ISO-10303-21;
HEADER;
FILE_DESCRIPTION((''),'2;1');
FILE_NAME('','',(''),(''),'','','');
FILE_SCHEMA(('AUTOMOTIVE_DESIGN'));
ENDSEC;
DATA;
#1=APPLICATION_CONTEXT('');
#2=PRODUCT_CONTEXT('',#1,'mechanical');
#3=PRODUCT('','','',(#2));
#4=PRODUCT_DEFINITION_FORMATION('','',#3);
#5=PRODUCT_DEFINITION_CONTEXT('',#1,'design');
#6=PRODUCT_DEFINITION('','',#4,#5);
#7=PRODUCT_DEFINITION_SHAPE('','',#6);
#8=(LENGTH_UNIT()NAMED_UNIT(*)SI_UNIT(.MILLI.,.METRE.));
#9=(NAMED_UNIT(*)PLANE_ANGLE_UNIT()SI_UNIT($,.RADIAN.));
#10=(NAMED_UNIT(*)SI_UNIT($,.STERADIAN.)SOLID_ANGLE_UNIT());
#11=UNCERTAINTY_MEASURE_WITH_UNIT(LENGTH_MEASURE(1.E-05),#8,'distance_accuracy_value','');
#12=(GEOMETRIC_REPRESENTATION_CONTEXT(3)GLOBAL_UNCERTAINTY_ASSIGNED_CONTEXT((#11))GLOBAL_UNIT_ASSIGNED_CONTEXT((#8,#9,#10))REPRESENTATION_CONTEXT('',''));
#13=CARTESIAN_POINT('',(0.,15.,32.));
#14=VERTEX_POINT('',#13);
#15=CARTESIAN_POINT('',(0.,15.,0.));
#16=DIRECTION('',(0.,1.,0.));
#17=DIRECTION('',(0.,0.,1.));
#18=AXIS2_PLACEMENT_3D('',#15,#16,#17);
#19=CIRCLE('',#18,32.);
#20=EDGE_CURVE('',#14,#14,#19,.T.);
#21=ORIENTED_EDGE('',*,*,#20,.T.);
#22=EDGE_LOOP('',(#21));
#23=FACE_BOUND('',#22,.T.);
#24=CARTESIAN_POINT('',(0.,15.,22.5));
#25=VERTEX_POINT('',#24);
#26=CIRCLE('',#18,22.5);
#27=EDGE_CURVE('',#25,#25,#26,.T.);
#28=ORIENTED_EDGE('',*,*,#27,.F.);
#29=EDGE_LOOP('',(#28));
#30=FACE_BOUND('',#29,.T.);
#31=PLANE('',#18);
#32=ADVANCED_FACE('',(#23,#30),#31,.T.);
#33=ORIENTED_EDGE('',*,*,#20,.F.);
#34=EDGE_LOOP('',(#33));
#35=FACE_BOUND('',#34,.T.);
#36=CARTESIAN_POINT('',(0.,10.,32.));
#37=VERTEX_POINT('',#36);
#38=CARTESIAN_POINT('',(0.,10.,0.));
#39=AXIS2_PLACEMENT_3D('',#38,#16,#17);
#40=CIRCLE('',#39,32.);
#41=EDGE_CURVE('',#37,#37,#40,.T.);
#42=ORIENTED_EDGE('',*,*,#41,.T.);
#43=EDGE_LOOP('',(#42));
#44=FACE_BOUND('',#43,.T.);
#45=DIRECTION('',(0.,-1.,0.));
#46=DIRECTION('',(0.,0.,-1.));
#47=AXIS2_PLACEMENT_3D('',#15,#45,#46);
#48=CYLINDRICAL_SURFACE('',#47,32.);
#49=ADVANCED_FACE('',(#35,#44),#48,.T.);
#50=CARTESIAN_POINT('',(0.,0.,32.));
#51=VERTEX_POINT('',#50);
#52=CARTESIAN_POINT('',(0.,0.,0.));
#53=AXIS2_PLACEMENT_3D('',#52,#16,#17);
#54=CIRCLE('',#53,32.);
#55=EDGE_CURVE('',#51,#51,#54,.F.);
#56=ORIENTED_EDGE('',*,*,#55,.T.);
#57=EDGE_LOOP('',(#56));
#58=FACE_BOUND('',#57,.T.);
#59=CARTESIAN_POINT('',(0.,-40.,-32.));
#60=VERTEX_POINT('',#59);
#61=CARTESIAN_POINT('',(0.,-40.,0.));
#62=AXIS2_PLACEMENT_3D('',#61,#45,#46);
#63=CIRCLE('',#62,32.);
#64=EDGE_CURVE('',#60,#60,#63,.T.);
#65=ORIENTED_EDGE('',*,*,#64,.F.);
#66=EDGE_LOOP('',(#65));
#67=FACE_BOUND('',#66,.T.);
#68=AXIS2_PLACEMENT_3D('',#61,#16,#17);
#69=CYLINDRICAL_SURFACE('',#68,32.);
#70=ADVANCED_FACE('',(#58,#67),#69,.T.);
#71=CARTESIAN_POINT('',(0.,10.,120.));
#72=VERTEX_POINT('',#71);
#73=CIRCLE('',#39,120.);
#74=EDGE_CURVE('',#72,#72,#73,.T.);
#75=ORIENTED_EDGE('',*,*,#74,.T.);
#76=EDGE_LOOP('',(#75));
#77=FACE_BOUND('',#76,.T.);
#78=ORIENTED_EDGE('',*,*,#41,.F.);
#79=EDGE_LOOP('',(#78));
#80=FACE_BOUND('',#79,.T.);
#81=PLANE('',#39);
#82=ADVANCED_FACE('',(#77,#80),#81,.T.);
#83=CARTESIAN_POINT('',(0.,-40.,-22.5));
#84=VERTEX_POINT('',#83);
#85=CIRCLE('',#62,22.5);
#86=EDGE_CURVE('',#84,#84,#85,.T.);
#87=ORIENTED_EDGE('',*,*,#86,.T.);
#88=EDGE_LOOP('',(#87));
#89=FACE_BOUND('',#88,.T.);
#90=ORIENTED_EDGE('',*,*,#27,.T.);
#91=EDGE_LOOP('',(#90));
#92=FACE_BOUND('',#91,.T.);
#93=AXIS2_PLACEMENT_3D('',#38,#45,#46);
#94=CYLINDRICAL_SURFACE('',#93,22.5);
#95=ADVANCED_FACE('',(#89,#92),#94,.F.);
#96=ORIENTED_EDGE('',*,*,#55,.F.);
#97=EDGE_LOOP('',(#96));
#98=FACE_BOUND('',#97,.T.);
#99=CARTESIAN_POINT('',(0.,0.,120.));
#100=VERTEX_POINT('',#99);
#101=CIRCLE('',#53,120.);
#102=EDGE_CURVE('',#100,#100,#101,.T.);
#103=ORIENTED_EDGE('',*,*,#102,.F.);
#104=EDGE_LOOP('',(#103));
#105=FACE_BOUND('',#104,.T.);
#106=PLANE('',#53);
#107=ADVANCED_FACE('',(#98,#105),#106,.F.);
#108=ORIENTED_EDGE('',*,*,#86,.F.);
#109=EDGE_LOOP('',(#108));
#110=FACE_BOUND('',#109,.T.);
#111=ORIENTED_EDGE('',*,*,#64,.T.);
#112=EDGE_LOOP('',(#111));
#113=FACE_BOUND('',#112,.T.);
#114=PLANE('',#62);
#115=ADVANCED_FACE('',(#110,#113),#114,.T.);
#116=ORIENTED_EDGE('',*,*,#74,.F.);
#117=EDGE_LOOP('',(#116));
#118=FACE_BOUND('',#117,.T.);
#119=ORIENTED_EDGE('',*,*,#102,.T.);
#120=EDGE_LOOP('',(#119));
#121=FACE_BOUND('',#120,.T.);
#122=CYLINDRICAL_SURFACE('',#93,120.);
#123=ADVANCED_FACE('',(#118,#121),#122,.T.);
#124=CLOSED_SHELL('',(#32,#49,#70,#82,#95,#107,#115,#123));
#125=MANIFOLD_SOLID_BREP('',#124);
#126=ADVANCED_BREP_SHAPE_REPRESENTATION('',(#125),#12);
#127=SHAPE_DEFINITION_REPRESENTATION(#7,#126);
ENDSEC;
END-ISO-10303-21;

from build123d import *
from build123d.topology import SkipClean

# Parameters (mm, degrees)
SKETCH_1_R      = 120
SKETCH_1_R_2    = 22.5
EXTRUDE_1_DEPTH = 10
EXTRUDE_START   = 40
SKETCH_2_R      = 32
SKETCH_2_R_2    = 22.5
EXTRUDE_2_DEPTH = 40
SKETCH_3_R      = 32
SKETCH_3_R_2    = 22.5
EXTRUDE_3_DEPTH = 5


with BuildPart() as part:
    # 草图1 → 凸台-拉伸1 (new body)
    with BuildSketch(Plane(origin=(0, 0, 0), x_dir=(1, 0, 0), z_dir=(0, 1, 0))):
        with Locations(Location((0, 0, 0), (0, 0, 270))):
            Circle(SKETCH_1_R)
        with Locations(Location((0, 0, 0), (0, 0, 270))):
            Circle(SKETCH_1_R_2, mode=Mode.SUBTRACT)
    extrude(amount=EXTRUDE_1_DEPTH)

    # 草图2 → 凸台-拉伸2 (add)
    with SkipClean():  # the faces are left unmerged after this step: merging them gives an invalid solid
        with BuildSketch(Plane.XZ.offset(EXTRUDE_START)):
            with Locations(Location((0, 0, 0), (0, 0, 90))):
                Circle(SKETCH_2_R)
            with Locations(Location((0, 0, 0), (0, 0, 270))):
                Circle(SKETCH_2_R_2, mode=Mode.SUBTRACT)
        extrude(amount=-EXTRUDE_2_DEPTH)

    # 草图3 → 凸台-拉伸3 (add)
    with BuildSketch(Plane(origin=(0, 10, 0), x_dir=(1, 0, 0), z_dir=(0, 1, 0))):
        with Locations(Location((0, 0, 0), (0, 0, 270))):
            Circle(SKETCH_3_R)
        with Locations(Location((0, 0, 0), (0, 0, 90))):
            Circle(SKETCH_3_R_2, mode=Mode.SUBTRACT)
    extrude(amount=EXTRUDE_3_DEPTH)


solid = part.part
